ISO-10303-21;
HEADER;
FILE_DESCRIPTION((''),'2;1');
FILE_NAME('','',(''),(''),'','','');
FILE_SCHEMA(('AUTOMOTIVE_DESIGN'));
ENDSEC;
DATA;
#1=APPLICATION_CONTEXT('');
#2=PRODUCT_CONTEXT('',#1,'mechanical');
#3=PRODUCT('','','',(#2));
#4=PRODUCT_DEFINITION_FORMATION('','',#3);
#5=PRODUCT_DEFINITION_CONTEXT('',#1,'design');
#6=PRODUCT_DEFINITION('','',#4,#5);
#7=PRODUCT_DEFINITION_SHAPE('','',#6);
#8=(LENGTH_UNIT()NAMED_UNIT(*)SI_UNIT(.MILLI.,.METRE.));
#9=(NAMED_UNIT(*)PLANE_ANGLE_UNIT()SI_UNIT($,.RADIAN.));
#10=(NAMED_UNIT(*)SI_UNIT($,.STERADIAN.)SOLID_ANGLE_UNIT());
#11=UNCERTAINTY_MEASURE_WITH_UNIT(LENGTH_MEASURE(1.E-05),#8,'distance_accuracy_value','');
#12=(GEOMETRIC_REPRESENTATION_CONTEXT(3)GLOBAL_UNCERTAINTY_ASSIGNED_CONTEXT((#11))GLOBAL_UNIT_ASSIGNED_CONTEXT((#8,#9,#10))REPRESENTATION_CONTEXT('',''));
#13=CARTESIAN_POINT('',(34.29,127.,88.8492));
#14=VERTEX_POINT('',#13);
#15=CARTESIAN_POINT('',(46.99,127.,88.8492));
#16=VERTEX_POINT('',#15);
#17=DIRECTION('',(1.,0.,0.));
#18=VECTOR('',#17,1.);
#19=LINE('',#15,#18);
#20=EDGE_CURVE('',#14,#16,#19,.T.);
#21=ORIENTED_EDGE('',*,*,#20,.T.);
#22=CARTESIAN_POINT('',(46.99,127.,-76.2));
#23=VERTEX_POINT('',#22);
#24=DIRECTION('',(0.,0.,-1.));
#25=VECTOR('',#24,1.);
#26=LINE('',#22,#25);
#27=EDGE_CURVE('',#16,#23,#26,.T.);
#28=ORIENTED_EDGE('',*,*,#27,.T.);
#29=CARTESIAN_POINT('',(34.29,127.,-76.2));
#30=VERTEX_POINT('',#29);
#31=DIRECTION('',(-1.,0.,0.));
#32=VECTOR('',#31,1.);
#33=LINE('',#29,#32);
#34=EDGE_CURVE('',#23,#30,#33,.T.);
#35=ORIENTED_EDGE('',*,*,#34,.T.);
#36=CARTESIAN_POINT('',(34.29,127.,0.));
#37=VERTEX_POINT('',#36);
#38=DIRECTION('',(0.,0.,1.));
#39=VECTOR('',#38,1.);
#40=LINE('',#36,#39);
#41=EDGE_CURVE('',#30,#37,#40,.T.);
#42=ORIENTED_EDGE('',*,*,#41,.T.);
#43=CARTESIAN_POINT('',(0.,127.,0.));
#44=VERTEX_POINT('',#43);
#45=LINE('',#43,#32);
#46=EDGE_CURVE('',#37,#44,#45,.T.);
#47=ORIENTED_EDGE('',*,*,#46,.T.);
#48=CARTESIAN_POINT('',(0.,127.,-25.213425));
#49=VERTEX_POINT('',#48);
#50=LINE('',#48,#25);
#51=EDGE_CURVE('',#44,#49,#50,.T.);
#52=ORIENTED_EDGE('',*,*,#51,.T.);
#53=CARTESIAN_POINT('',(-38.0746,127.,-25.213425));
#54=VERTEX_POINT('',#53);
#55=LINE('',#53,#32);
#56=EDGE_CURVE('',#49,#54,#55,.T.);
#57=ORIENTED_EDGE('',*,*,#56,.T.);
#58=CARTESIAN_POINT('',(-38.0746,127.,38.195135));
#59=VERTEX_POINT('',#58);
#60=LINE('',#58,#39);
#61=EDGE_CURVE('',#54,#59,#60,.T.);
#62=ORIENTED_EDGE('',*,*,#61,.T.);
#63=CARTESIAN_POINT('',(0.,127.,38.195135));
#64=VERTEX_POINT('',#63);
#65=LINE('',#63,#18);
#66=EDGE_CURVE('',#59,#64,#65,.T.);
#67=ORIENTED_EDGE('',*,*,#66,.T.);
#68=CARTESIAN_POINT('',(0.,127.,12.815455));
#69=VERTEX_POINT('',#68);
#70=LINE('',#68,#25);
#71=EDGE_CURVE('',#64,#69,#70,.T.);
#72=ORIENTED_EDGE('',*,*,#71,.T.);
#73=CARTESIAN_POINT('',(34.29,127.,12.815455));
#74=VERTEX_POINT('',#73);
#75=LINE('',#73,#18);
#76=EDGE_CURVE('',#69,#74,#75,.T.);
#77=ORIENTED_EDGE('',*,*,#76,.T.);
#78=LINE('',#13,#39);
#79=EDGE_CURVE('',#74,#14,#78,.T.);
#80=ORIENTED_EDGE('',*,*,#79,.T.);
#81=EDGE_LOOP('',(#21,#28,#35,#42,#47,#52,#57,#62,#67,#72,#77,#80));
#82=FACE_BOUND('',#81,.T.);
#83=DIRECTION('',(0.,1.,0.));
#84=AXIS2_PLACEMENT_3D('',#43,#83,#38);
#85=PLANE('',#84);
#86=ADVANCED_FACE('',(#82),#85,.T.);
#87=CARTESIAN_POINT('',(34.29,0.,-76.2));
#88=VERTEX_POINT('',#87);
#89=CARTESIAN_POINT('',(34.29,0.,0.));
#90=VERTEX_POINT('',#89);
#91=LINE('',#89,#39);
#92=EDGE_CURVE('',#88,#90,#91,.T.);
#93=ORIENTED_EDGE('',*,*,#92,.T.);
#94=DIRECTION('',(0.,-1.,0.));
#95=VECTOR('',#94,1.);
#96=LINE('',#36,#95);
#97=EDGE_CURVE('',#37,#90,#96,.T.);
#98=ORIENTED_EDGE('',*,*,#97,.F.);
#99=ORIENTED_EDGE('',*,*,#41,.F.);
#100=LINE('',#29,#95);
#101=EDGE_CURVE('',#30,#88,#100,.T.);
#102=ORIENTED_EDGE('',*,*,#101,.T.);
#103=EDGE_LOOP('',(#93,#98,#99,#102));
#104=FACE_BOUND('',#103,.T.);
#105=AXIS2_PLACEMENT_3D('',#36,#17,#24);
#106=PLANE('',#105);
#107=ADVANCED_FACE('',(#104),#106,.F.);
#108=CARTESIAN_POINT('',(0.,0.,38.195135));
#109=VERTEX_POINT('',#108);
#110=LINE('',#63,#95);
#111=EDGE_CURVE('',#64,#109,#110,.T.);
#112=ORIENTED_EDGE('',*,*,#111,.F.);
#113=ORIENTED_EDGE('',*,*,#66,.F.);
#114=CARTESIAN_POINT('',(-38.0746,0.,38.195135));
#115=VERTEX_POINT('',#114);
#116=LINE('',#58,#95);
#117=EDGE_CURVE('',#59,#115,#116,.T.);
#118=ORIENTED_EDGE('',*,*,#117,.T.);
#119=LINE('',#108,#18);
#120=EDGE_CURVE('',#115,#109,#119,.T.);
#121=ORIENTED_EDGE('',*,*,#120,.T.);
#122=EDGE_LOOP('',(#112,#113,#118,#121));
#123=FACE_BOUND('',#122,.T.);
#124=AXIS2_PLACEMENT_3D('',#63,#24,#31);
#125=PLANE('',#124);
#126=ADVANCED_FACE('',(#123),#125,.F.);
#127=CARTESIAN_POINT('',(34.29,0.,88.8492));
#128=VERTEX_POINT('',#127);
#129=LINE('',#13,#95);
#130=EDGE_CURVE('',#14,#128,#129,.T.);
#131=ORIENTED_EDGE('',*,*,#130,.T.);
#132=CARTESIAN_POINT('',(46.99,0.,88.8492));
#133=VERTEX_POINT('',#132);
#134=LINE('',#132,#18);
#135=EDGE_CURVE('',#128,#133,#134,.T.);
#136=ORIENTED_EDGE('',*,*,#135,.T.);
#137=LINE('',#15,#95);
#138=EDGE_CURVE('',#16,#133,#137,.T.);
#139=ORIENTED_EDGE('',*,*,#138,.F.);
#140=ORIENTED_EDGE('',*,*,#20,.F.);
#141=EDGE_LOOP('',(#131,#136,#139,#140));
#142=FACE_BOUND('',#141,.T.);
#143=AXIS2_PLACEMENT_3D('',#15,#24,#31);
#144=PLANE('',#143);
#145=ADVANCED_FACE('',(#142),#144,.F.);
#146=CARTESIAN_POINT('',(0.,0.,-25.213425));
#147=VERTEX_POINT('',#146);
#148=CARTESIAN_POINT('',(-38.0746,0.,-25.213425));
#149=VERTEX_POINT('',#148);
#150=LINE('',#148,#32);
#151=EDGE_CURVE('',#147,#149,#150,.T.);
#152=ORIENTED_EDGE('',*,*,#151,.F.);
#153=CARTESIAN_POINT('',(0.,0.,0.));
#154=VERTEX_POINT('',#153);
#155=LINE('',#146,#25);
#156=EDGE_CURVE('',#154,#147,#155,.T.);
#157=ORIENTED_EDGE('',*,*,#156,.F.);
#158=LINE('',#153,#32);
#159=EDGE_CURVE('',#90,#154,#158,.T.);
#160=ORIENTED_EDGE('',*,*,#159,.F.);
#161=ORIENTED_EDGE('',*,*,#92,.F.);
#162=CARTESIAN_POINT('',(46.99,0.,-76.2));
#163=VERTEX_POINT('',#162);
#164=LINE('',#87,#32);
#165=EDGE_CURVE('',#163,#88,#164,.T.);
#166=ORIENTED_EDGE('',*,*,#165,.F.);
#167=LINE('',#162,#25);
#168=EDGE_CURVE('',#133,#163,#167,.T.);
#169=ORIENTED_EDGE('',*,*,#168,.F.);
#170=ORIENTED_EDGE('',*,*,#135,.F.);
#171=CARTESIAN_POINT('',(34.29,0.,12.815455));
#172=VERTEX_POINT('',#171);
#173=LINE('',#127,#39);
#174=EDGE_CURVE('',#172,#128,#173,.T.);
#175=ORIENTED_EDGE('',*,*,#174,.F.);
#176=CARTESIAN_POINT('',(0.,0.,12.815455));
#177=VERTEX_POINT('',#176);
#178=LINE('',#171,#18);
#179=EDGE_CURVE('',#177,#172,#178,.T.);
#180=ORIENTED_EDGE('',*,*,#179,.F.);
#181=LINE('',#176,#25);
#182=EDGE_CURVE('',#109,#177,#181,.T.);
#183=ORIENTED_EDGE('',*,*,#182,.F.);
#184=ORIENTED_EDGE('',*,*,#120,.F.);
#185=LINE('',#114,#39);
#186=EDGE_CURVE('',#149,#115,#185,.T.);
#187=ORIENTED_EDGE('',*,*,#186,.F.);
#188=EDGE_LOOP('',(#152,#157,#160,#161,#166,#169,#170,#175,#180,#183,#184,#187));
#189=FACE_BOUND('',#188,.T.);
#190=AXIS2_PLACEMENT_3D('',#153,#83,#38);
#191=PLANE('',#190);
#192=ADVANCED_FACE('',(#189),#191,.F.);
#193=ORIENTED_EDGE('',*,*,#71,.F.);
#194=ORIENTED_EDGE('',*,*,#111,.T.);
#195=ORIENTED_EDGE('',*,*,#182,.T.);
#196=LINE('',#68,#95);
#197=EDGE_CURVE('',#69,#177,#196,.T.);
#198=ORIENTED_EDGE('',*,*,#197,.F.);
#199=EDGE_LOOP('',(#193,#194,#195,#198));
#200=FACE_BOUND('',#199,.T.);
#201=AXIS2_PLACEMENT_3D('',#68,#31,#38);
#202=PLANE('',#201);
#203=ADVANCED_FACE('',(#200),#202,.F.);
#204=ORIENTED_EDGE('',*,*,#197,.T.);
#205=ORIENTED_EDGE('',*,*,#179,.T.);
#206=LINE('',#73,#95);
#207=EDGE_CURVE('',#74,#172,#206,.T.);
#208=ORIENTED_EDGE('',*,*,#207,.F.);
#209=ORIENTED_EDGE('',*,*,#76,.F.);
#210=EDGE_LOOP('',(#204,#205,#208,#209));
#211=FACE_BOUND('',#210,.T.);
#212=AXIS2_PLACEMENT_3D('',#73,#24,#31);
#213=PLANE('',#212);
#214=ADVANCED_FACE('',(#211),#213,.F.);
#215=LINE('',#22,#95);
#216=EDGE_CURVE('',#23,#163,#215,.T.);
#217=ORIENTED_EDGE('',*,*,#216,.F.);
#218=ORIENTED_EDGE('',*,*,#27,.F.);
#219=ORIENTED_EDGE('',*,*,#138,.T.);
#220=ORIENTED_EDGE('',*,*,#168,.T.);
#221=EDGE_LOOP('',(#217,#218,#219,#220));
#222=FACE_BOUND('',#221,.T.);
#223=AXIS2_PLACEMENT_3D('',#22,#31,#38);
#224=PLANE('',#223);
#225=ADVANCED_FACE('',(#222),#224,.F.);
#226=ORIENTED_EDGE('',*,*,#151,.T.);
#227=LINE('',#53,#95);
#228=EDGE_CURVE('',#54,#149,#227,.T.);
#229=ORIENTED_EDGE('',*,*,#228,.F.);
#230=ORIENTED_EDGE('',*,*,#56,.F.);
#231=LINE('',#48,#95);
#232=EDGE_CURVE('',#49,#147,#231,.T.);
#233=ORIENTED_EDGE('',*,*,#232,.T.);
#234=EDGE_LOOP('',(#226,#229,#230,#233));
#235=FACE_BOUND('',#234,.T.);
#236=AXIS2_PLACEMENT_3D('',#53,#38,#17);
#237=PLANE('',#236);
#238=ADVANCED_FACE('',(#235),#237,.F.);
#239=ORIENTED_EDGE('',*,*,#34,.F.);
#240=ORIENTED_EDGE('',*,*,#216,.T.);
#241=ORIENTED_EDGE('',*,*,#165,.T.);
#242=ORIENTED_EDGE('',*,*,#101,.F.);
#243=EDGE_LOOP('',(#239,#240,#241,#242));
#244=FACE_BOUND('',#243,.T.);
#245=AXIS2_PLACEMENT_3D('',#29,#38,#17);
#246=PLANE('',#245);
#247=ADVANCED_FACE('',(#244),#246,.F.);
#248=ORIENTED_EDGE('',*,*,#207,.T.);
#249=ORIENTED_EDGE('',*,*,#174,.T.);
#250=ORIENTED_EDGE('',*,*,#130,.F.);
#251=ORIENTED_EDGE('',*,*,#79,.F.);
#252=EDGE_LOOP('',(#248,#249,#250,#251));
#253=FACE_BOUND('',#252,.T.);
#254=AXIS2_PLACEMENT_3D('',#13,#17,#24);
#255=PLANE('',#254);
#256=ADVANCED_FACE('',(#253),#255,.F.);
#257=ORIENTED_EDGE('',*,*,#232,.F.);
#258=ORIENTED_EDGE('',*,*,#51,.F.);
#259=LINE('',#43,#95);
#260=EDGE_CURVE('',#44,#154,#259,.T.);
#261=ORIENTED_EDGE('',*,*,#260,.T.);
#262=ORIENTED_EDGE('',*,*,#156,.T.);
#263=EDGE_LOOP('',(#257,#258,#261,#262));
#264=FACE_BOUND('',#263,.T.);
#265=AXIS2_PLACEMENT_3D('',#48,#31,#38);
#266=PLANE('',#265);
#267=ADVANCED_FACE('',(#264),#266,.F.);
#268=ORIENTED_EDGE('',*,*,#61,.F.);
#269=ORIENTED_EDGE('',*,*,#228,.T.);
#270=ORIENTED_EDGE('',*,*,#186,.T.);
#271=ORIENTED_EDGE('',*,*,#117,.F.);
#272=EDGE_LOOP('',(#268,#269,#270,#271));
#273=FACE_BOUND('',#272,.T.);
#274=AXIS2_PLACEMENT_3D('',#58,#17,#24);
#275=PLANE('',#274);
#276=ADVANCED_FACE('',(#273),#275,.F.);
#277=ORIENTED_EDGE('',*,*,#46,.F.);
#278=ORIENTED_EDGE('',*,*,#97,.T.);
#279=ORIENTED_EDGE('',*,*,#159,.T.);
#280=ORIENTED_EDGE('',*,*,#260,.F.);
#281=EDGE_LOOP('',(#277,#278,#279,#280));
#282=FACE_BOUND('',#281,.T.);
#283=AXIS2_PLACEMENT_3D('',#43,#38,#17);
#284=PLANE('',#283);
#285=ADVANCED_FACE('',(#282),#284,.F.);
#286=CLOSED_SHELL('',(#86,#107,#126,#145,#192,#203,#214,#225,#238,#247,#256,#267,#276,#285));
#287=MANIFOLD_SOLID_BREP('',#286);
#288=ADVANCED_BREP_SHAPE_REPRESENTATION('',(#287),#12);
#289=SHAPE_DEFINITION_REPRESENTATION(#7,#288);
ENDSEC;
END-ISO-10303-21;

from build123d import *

# Parameters (mm, degrees)
BOSS_EXTRUDE1_DEPTH = 127


with BuildPart() as part:
    # Sketch1 → Boss-Extrude1 (new body)
    with BuildSketch(Plane(origin=(0, 0, 0), x_dir=(1, 0, 0), z_dir=(0, 1, 0))):
        Polygon((34.29, -12.815454545), (0, -12.815454545), (0, -38.195134545), (-38.0746, -38.195134545), (-38.0746, 25.213425455), (0, 25.213425455), (0, 0), (34.29, 0), (34.29, 76.2), (46.99, 76.2), (46.99, -88.8492), (34.29, -88.8492), align=None)
    extrude(amount=BOSS_EXTRUDE1_DEPTH)


solid = part.part
